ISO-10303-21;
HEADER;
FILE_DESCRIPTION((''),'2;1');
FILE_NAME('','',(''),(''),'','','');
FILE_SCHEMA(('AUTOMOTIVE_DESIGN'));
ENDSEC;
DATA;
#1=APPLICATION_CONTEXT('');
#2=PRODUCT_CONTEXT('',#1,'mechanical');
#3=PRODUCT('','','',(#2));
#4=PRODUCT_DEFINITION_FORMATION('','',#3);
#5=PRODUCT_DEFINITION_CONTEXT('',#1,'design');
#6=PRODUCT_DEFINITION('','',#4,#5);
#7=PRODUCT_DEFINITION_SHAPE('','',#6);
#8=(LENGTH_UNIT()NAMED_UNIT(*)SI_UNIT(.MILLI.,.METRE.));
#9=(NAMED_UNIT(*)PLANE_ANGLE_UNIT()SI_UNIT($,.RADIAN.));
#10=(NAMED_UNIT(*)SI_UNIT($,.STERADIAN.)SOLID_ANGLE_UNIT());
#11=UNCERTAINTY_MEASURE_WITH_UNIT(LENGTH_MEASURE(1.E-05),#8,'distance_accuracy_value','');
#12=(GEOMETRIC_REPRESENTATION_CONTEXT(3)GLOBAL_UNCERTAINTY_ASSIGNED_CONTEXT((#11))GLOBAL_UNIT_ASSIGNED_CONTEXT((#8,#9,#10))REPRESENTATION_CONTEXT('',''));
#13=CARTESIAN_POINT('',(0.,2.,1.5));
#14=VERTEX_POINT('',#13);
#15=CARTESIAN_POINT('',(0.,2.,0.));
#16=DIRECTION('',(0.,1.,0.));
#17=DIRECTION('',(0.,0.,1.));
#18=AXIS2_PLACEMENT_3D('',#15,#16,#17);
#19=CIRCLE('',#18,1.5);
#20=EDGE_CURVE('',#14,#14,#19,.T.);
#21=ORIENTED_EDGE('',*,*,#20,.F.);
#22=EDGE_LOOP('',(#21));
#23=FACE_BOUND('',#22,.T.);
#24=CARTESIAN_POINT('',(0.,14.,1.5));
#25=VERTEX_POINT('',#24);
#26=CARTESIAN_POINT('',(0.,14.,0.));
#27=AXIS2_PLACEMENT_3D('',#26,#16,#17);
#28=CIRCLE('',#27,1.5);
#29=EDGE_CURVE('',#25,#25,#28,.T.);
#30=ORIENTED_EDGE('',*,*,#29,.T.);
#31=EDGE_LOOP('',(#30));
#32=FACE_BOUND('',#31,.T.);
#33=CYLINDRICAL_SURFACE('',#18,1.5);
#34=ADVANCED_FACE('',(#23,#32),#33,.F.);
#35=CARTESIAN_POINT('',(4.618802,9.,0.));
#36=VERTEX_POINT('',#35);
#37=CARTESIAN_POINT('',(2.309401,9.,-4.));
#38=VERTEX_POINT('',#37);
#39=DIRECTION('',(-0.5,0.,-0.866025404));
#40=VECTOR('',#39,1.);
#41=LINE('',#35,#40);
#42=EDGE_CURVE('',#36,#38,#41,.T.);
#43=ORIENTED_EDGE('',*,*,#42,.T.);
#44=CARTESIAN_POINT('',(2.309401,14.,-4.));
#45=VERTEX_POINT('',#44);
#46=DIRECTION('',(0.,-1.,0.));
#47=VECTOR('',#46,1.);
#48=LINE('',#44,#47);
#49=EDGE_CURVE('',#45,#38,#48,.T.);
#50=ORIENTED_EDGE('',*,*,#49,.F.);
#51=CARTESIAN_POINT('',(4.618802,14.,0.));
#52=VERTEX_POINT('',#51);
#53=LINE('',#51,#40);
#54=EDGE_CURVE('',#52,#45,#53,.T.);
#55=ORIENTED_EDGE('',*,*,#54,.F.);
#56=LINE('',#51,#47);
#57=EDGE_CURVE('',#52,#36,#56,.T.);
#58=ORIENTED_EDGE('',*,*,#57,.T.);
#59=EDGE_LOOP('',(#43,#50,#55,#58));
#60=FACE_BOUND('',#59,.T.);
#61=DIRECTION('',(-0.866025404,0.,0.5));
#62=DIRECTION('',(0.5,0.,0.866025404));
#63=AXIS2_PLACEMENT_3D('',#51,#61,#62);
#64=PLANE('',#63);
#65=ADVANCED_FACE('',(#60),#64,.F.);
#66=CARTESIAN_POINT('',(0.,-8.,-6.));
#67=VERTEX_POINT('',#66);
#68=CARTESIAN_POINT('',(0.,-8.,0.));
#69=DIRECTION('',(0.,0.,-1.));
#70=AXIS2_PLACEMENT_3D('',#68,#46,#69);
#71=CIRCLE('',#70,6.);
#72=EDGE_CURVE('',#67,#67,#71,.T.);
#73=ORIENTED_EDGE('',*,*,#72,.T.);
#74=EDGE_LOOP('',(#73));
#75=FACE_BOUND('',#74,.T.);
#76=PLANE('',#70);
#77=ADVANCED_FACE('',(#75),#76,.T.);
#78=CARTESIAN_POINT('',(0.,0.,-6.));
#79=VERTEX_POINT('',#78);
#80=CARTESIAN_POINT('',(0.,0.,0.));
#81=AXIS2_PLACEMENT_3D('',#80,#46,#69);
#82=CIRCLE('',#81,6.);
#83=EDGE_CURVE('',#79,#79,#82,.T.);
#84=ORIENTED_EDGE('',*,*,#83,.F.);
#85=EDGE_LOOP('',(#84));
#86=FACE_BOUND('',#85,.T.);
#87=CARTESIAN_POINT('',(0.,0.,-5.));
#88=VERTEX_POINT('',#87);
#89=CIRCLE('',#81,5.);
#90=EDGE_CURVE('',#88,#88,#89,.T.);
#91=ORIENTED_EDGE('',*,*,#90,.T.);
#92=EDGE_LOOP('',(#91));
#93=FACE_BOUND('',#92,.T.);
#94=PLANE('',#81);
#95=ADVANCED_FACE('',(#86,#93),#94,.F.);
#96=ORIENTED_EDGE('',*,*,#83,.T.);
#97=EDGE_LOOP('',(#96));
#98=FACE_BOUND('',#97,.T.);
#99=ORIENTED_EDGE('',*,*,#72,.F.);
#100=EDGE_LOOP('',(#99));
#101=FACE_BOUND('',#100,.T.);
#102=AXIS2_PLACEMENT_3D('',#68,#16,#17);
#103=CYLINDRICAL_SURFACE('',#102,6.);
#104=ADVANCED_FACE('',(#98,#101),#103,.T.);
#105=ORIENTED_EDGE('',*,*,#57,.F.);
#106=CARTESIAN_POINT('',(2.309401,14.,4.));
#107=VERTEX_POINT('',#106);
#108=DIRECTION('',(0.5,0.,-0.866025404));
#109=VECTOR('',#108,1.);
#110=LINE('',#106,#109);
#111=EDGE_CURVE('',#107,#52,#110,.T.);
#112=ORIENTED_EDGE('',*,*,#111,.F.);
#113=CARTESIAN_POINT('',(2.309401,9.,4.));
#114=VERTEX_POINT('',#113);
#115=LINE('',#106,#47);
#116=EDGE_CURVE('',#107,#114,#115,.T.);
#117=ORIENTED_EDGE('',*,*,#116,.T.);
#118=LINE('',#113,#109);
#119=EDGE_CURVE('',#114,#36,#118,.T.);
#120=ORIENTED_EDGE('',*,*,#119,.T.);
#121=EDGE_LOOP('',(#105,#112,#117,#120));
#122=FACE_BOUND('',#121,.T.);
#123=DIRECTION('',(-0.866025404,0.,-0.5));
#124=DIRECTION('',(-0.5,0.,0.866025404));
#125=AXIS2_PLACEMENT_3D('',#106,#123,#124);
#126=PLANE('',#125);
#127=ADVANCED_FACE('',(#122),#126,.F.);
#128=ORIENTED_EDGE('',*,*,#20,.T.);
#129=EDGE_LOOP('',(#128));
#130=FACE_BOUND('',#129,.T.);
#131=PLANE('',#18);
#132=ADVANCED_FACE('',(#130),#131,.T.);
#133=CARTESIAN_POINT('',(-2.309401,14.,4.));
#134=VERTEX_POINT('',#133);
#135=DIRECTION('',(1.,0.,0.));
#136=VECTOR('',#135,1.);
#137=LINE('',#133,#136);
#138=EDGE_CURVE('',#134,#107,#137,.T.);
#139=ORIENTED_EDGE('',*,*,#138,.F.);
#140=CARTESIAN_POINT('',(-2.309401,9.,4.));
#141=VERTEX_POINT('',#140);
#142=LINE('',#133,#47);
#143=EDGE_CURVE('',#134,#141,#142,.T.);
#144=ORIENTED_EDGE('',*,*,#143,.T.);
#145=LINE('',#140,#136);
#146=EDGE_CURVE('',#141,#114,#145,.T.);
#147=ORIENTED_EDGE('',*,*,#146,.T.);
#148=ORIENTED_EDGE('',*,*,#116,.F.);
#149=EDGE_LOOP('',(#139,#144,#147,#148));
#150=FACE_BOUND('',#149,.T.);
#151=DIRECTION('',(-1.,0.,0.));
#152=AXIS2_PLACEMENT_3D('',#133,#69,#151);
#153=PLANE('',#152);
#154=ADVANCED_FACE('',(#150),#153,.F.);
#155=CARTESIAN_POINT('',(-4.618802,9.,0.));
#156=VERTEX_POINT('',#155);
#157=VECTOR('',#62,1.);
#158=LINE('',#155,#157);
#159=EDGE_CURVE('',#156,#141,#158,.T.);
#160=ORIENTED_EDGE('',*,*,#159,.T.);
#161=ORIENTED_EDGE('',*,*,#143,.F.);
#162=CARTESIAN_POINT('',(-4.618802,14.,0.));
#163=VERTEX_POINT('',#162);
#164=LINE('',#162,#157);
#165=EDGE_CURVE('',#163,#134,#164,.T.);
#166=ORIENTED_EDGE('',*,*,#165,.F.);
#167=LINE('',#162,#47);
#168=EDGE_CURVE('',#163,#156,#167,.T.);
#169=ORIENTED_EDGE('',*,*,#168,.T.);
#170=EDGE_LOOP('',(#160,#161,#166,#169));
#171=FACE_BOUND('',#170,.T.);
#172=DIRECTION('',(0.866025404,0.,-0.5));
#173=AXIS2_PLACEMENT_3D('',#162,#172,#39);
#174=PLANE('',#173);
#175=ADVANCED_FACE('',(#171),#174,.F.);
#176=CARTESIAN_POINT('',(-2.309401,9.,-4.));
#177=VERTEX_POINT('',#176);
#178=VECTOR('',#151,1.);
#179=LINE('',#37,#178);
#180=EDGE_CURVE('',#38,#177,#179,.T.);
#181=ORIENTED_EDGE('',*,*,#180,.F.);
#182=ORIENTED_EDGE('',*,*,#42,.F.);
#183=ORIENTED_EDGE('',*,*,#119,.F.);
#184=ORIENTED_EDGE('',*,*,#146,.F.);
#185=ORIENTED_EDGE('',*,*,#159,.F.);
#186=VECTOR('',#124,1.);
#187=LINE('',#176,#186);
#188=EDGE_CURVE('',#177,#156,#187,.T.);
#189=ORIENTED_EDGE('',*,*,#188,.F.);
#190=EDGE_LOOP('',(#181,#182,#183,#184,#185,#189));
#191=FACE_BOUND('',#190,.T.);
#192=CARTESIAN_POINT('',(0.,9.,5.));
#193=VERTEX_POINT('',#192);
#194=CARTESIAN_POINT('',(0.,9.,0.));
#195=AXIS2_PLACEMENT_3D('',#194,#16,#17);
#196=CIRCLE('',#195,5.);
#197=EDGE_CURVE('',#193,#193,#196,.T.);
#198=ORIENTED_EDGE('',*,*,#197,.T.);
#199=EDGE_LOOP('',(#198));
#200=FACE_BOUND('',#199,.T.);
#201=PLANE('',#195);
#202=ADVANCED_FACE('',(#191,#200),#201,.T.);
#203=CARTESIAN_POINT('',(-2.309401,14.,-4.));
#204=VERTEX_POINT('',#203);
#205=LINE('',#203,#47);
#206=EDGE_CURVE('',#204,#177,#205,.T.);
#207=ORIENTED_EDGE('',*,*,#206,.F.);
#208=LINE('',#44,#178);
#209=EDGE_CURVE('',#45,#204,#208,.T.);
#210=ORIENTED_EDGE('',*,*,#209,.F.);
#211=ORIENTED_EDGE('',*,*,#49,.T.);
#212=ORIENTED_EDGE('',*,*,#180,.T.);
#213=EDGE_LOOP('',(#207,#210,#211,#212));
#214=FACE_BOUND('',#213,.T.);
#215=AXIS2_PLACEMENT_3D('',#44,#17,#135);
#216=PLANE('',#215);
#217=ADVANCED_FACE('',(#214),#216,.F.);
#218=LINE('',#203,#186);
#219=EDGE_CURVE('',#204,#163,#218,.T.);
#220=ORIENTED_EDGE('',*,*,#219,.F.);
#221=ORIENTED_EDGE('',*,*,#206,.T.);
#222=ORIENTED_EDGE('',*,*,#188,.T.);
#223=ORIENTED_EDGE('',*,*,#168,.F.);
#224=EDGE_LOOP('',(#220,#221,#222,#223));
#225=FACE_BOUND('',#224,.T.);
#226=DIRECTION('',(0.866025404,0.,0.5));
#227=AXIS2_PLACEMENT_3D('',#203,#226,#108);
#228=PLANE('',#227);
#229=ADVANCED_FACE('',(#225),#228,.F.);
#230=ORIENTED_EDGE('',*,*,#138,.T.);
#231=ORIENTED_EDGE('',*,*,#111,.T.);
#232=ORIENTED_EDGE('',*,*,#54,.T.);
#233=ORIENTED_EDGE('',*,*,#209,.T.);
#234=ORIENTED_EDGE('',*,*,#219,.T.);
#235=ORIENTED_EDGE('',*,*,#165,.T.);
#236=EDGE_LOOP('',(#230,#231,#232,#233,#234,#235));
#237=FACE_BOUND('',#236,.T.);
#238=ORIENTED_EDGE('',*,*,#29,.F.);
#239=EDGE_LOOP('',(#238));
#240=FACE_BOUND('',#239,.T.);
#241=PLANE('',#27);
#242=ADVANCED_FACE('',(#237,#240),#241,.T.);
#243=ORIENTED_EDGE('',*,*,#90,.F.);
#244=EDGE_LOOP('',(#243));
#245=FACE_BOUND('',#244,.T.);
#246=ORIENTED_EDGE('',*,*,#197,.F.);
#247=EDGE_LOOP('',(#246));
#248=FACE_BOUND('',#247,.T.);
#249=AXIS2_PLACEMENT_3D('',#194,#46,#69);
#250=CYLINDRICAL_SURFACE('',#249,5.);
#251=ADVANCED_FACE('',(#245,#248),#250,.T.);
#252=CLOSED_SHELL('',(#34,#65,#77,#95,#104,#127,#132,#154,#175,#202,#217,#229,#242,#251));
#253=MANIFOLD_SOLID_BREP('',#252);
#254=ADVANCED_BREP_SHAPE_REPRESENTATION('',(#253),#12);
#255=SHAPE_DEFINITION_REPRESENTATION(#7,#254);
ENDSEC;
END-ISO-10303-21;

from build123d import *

# Parameters (mm, degrees)
SKETCH1_R           = 5
BOSS_EXTRUDE1_DEPTH = 9
SKETCH2_R           = 6
BOSS_EXTRUDE2_DEPTH = 8
BOSS_EXTRUDE3_DEPTH = 5
SKETCH4_R           = 1.5
CUT_EXTRUDE1_DEPTH  = 12


with BuildPart() as part:
    # Sketch1 → Boss-Extrude1 (new body)
    with BuildSketch(Plane(origin=(0, 0, 0), x_dir=(1, 0, 0), z_dir=(0, 1, 0))):
        Circle(SKETCH1_R)
    extrude(amount=BOSS_EXTRUDE1_DEPTH)

    # Sketch2 → Boss-Extrude2 (add)
    with BuildSketch(Plane.XZ):
        Circle(SKETCH2_R)
    extrude(amount=BOSS_EXTRUDE2_DEPTH)

    # Sketch3 → Boss-Extrude3 (add)
    with BuildSketch(Plane(origin=(0, 9, 0), x_dir=(1, 0, 0), z_dir=(0, 1, 0))):
        Polygon((4.618802154, 0), (2.309401077, 4), (-2.309401077, 4), (-4.618802154, 0), (-2.309401077, -4), (2.309401077, -4), align=None)
    extrude(amount=BOSS_EXTRUDE3_DEPTH)

    # Sketch4 → Cut-Extrude1 (cut)
    with BuildSketch(Plane(origin=(0, 14, 0), x_dir=(1, 0, 0), z_dir=(0, 1, 0))):
        Circle(SKETCH4_R)
    extrude(amount=-CUT_EXTRUDE1_DEPTH, mode=Mode.SUBTRACT)


solid = part.part
